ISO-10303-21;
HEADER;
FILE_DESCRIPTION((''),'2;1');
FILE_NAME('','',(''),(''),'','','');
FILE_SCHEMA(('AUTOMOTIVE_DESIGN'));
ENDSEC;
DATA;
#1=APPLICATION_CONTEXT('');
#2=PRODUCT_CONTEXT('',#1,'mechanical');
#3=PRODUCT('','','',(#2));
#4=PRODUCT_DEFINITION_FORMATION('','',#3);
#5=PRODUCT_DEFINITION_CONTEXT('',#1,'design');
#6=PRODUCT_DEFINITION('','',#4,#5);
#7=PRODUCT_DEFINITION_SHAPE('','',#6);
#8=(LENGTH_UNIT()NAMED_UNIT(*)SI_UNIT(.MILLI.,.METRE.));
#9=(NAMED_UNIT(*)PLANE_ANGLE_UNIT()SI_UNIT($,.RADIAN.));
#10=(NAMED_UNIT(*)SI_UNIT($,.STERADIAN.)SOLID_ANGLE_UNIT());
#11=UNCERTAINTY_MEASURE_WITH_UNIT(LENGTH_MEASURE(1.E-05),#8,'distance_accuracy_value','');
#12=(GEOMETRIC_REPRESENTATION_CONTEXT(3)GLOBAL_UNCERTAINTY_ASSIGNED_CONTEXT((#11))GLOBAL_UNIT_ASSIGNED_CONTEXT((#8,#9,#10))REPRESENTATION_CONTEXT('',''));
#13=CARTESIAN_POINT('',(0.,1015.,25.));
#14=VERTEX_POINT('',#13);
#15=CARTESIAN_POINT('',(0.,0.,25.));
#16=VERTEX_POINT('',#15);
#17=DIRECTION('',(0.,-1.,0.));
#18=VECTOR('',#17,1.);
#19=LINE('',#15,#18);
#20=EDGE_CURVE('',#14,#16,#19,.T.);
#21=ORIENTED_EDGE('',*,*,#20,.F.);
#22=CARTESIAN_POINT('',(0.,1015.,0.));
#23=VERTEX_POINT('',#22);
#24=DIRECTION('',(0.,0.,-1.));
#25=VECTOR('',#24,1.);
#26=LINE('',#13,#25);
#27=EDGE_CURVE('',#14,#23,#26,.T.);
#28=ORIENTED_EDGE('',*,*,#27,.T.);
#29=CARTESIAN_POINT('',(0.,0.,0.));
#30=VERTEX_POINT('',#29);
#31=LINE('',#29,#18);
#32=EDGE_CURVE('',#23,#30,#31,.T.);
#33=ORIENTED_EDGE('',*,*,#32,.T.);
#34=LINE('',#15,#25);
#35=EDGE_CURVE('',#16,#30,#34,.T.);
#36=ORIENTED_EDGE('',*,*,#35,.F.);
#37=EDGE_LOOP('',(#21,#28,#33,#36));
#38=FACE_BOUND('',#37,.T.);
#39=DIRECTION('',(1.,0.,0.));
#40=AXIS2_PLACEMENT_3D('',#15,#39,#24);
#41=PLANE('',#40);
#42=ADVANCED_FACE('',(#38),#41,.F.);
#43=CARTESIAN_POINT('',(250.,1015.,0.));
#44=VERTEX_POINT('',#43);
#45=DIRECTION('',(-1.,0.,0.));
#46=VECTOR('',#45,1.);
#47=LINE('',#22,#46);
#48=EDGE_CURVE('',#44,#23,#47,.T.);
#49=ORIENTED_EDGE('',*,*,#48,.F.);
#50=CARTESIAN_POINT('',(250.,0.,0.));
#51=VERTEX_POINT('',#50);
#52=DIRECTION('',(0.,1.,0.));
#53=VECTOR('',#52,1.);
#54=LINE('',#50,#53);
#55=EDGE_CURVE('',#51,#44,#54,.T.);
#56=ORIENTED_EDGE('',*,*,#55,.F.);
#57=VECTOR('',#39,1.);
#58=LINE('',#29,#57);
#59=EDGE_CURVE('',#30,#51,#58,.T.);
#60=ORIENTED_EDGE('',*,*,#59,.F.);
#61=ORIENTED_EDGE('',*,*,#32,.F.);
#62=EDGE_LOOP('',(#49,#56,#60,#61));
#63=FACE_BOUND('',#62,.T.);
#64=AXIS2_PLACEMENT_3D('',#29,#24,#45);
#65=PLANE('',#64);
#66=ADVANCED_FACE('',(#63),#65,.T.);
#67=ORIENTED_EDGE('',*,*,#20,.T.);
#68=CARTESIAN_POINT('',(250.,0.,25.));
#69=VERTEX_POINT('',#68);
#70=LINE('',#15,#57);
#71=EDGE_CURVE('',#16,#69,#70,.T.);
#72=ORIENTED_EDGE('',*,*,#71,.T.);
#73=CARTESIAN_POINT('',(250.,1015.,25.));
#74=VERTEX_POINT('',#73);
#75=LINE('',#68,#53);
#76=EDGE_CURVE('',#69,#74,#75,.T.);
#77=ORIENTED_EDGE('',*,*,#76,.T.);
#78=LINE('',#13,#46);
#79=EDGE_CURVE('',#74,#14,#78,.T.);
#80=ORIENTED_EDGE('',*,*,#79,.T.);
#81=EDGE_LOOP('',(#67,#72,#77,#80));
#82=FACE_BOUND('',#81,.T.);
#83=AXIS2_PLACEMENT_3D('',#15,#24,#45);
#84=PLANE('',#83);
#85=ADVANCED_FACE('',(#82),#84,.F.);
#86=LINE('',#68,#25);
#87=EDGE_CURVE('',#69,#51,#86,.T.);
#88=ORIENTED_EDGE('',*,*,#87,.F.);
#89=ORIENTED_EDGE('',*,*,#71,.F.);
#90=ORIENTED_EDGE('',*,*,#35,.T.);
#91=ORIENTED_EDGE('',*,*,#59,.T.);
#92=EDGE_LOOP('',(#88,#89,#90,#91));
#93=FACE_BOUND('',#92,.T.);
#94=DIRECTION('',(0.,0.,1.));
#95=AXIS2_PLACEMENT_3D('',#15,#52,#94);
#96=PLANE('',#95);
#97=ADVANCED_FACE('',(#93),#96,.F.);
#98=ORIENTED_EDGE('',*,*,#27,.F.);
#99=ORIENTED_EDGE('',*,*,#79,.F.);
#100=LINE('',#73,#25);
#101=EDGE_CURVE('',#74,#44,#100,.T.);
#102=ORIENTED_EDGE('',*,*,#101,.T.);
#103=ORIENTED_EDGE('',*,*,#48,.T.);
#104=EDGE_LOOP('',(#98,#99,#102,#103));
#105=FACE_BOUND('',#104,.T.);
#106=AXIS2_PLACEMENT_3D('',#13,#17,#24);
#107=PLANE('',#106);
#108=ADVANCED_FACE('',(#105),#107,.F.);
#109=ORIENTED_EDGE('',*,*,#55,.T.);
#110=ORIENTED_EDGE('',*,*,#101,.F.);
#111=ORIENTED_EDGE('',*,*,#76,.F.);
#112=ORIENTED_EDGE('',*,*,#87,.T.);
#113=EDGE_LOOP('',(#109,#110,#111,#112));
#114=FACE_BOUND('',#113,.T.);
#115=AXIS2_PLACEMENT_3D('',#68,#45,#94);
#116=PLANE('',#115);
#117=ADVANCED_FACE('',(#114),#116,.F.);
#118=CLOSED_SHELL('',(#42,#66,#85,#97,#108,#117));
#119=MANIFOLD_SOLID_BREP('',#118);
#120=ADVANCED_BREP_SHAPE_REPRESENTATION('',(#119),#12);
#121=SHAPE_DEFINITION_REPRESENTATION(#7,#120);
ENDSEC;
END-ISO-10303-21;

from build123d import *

# Parameters (mm, degrees)
SKETCH1_W           = 250
SKETCH1_H           = 1015
BOSS_EXTRUDE1_DEPTH = 25


with BuildPart() as part:
    # Sketch1 → Boss-Extrude1 (new body)
    with BuildSketch(Plane.XY):
        with Locations((125, 507.5)):
            Rectangle(SKETCH1_W, SKETCH1_H)
    extrude(amount=BOSS_EXTRUDE1_DEPTH)


solid = part.part
